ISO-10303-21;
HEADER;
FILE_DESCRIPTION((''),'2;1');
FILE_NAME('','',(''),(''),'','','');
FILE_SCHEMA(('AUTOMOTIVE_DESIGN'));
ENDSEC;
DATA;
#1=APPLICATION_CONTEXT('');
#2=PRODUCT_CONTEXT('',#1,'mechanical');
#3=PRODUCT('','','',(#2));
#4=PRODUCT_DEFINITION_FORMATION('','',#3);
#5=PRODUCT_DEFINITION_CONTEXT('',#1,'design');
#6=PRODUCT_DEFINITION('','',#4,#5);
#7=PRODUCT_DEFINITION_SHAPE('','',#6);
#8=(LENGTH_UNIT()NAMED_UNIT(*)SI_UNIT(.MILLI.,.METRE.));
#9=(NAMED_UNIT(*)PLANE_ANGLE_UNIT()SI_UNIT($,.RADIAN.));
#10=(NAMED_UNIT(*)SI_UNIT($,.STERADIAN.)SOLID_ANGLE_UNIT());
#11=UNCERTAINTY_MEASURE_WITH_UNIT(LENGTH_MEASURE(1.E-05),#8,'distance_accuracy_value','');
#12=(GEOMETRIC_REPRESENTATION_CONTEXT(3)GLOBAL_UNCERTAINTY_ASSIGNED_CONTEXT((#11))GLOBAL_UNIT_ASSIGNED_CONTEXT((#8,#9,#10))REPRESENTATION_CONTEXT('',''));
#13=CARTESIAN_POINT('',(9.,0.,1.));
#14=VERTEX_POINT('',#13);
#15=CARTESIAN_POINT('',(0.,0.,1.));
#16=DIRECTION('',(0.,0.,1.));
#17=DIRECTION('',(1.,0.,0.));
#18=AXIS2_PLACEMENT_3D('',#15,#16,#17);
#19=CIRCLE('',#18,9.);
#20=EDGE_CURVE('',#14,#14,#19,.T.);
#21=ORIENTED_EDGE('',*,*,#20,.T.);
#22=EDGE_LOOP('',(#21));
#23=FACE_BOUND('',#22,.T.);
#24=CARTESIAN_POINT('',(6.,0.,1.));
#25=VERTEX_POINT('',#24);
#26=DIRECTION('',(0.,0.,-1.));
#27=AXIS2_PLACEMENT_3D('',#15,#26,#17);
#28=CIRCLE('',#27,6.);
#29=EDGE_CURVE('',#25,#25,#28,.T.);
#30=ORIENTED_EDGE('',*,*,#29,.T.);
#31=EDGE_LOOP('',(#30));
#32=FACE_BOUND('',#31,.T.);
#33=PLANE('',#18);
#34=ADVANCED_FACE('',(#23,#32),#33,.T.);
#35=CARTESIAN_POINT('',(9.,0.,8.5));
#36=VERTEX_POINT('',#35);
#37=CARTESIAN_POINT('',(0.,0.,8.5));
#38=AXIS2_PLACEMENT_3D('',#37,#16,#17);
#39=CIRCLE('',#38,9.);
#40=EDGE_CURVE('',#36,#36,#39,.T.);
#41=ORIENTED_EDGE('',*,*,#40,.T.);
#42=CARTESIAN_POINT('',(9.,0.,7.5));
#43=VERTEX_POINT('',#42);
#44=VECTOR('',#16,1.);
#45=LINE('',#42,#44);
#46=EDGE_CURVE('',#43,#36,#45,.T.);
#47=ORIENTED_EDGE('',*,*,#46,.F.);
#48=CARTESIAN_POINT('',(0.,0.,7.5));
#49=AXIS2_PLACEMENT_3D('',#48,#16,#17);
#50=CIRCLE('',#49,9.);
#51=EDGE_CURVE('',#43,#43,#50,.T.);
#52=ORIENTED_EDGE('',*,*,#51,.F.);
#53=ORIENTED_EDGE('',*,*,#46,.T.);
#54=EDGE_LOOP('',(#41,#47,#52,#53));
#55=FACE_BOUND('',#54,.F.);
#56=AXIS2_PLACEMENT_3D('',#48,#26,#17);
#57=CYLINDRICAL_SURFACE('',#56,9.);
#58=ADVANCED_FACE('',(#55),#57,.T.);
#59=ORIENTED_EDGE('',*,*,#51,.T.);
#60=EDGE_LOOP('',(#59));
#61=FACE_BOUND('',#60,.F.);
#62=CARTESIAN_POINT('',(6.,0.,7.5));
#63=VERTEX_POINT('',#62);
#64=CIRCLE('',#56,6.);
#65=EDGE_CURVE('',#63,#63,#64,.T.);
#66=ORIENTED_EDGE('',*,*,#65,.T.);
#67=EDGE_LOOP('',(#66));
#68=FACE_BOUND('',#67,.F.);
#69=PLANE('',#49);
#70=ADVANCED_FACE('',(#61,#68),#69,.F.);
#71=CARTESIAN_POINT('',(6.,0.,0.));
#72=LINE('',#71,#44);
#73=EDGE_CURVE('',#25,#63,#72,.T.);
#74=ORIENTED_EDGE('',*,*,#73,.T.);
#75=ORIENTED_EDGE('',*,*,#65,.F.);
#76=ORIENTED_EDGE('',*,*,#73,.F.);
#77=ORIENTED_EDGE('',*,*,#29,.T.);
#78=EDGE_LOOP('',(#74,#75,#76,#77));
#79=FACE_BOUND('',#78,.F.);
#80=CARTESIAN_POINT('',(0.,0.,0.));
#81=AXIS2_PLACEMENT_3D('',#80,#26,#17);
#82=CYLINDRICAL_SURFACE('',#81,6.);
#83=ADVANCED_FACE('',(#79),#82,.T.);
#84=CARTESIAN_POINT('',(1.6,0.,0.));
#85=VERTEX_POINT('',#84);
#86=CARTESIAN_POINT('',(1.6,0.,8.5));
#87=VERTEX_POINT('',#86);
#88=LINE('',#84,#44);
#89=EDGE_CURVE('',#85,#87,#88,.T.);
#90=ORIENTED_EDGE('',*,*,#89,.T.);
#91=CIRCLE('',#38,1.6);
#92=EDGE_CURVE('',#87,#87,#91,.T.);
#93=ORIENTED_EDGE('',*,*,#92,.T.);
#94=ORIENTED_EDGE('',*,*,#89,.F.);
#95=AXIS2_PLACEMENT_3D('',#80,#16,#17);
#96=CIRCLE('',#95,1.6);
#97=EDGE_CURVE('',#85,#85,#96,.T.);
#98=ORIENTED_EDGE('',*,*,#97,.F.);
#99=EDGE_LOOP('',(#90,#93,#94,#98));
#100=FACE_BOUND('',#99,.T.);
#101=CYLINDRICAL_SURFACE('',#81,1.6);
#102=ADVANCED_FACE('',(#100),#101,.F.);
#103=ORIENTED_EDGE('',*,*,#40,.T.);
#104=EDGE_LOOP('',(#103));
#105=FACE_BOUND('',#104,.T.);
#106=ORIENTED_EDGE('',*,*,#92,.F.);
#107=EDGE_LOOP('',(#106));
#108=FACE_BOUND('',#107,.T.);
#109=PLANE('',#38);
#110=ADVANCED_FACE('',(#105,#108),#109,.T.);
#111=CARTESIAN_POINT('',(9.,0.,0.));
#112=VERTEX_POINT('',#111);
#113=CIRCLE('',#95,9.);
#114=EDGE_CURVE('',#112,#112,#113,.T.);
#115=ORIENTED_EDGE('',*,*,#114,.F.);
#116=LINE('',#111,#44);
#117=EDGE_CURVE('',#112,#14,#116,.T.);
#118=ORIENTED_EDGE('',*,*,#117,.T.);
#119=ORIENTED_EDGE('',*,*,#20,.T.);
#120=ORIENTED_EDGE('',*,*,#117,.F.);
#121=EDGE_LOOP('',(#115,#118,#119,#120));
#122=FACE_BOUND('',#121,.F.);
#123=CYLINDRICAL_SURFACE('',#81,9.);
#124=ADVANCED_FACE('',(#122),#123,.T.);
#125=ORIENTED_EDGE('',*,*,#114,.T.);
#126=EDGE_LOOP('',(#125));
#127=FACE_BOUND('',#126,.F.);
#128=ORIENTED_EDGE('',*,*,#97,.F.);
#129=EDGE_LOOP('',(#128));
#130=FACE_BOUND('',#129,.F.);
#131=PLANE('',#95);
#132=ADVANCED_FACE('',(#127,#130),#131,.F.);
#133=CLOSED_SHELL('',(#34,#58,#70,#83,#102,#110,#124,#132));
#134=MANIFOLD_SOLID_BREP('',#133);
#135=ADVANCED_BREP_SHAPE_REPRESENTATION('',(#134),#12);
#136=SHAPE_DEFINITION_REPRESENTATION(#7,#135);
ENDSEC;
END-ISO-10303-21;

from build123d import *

# Parameters (mm, degrees)
CYLINDER008_R     = 1.6
CYLINDER008_DEPTH = 8.5
CYLINDER006_R     = 9
CYLINDER006_DEPTH = 1
CYLINDER005_R     = 9
CYLINDER005_DEPTH = 1
CYLINDER007_R     = 6
CYLINDER007_DEPTH = 8.5


with BuildPart() as cylinder004:
    # Cylinder008 → Cylinder008 (new body)
    with BuildSketch(Plane.XY):
        Circle(CYLINDER008_R)
    extrude(amount=CYLINDER008_DEPTH)


with BuildPart() as cylinder002:
    # Cylinder006 → Cylinder006 (new body)
    with BuildSketch(Plane.XY.offset(7.5)):
        Circle(CYLINDER006_R)
    extrude(amount=CYLINDER006_DEPTH)


with BuildPart() as cylinder001:
    # Cylinder005 → Cylinder005 (new body)
    with BuildSketch(Plane.XY):
        Circle(CYLINDER005_R)
    extrude(amount=CYLINDER005_DEPTH)


with BuildPart() as idler:
    # Cylinder007 → Cylinder007 (new body)
    with BuildSketch(Plane.XY):
        Circle(CYLINDER007_R)
    extrude(amount=CYLINDER007_DEPTH)

    # Fusion: union Cylinder002, Cylinder001
    add(cylinder002.part)
    add(cylinder001.part)

    # Cut: cut Cylinder004
    add(cylinder004.part, mode=Mode.SUBTRACT)


solid = idler.part
